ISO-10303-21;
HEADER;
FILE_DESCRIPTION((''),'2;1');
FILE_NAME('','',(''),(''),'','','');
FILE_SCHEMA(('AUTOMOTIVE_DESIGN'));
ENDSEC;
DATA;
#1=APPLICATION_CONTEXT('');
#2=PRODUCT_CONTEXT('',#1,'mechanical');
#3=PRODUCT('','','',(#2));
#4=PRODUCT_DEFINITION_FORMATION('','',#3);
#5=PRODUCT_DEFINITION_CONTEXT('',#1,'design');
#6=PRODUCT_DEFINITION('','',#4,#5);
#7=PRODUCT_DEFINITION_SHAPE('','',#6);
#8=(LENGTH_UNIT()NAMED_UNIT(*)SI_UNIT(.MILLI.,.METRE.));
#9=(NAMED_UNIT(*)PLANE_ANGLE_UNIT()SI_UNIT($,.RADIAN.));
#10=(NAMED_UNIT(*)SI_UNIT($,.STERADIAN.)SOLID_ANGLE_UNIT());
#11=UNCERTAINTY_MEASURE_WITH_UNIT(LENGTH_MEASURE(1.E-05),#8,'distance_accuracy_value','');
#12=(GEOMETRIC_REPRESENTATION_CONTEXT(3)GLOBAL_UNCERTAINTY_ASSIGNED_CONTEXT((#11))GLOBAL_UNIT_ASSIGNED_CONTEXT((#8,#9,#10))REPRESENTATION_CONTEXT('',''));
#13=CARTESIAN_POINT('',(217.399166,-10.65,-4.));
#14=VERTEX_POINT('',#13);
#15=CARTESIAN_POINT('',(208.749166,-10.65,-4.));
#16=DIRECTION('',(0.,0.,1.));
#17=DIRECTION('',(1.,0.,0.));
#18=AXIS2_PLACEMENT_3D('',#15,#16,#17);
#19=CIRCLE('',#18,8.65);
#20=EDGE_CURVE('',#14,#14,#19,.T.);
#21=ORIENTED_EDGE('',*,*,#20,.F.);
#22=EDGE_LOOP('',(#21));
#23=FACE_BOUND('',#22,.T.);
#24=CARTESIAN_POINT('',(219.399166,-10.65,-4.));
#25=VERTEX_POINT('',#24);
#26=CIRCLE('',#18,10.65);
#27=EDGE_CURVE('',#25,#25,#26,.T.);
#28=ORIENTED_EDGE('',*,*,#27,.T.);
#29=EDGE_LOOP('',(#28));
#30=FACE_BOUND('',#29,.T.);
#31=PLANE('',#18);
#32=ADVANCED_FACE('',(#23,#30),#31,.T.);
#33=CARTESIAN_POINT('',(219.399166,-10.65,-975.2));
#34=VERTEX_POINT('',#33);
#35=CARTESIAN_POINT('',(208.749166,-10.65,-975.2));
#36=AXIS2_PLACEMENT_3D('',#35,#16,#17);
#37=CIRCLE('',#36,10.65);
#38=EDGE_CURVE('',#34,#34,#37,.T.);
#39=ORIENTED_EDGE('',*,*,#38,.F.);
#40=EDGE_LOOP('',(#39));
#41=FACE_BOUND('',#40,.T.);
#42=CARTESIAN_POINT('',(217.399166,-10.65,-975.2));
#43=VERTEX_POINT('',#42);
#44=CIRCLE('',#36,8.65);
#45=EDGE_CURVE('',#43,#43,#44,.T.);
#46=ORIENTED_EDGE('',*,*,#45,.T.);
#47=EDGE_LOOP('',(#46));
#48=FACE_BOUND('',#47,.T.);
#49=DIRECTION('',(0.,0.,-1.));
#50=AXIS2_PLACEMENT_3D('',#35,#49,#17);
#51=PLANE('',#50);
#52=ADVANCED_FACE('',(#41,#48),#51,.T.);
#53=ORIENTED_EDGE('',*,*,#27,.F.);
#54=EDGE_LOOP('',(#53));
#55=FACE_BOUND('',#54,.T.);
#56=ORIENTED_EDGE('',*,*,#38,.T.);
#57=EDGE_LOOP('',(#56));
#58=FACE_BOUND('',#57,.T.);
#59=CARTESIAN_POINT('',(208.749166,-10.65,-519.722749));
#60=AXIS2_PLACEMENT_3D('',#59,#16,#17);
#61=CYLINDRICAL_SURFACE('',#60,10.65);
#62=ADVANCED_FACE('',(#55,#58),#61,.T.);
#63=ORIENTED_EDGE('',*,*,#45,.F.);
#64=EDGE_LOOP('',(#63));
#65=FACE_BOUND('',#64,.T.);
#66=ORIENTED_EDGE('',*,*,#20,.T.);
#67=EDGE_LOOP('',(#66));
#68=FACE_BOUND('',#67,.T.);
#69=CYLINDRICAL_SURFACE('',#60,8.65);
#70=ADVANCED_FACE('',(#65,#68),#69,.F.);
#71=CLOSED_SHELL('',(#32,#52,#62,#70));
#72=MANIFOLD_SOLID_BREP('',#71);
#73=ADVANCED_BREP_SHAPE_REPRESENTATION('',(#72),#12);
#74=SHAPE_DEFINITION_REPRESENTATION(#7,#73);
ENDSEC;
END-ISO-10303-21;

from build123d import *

# Parameters (mm, degrees)
EXTRUDE_START   = -4
SKETCH_1_R      = 10.65
SKETCH_1_R_2    = 8.65
EXTRUDE_1_DEPTH = 485.6


with BuildPart() as part:
    # Эскиз1 → Бобышка-Вытянуть1 (new body)
    with BuildSketch(Plane.XY.offset(EXTRUDE_START)):
        with Locations((208.749166476, -10.65)):
            Circle(SKETCH_1_R)
        with Locations((208.749166476, -10.65)):
            Circle(SKETCH_1_R_2, mode=Mode.SUBTRACT)
    extrude_1 = extrude(amount=-EXTRUDE_1_DEPTH)

    # Зеркальное отражение1: Бобышка-Вытянуть1 across plane
    add(extrude_1.mirror(Plane(origin=(-190.563941192, 31.462012182, -489.6), x_dir=(1, 0, 0), z_dir=(0, 0, 1))))


solid = part.part
